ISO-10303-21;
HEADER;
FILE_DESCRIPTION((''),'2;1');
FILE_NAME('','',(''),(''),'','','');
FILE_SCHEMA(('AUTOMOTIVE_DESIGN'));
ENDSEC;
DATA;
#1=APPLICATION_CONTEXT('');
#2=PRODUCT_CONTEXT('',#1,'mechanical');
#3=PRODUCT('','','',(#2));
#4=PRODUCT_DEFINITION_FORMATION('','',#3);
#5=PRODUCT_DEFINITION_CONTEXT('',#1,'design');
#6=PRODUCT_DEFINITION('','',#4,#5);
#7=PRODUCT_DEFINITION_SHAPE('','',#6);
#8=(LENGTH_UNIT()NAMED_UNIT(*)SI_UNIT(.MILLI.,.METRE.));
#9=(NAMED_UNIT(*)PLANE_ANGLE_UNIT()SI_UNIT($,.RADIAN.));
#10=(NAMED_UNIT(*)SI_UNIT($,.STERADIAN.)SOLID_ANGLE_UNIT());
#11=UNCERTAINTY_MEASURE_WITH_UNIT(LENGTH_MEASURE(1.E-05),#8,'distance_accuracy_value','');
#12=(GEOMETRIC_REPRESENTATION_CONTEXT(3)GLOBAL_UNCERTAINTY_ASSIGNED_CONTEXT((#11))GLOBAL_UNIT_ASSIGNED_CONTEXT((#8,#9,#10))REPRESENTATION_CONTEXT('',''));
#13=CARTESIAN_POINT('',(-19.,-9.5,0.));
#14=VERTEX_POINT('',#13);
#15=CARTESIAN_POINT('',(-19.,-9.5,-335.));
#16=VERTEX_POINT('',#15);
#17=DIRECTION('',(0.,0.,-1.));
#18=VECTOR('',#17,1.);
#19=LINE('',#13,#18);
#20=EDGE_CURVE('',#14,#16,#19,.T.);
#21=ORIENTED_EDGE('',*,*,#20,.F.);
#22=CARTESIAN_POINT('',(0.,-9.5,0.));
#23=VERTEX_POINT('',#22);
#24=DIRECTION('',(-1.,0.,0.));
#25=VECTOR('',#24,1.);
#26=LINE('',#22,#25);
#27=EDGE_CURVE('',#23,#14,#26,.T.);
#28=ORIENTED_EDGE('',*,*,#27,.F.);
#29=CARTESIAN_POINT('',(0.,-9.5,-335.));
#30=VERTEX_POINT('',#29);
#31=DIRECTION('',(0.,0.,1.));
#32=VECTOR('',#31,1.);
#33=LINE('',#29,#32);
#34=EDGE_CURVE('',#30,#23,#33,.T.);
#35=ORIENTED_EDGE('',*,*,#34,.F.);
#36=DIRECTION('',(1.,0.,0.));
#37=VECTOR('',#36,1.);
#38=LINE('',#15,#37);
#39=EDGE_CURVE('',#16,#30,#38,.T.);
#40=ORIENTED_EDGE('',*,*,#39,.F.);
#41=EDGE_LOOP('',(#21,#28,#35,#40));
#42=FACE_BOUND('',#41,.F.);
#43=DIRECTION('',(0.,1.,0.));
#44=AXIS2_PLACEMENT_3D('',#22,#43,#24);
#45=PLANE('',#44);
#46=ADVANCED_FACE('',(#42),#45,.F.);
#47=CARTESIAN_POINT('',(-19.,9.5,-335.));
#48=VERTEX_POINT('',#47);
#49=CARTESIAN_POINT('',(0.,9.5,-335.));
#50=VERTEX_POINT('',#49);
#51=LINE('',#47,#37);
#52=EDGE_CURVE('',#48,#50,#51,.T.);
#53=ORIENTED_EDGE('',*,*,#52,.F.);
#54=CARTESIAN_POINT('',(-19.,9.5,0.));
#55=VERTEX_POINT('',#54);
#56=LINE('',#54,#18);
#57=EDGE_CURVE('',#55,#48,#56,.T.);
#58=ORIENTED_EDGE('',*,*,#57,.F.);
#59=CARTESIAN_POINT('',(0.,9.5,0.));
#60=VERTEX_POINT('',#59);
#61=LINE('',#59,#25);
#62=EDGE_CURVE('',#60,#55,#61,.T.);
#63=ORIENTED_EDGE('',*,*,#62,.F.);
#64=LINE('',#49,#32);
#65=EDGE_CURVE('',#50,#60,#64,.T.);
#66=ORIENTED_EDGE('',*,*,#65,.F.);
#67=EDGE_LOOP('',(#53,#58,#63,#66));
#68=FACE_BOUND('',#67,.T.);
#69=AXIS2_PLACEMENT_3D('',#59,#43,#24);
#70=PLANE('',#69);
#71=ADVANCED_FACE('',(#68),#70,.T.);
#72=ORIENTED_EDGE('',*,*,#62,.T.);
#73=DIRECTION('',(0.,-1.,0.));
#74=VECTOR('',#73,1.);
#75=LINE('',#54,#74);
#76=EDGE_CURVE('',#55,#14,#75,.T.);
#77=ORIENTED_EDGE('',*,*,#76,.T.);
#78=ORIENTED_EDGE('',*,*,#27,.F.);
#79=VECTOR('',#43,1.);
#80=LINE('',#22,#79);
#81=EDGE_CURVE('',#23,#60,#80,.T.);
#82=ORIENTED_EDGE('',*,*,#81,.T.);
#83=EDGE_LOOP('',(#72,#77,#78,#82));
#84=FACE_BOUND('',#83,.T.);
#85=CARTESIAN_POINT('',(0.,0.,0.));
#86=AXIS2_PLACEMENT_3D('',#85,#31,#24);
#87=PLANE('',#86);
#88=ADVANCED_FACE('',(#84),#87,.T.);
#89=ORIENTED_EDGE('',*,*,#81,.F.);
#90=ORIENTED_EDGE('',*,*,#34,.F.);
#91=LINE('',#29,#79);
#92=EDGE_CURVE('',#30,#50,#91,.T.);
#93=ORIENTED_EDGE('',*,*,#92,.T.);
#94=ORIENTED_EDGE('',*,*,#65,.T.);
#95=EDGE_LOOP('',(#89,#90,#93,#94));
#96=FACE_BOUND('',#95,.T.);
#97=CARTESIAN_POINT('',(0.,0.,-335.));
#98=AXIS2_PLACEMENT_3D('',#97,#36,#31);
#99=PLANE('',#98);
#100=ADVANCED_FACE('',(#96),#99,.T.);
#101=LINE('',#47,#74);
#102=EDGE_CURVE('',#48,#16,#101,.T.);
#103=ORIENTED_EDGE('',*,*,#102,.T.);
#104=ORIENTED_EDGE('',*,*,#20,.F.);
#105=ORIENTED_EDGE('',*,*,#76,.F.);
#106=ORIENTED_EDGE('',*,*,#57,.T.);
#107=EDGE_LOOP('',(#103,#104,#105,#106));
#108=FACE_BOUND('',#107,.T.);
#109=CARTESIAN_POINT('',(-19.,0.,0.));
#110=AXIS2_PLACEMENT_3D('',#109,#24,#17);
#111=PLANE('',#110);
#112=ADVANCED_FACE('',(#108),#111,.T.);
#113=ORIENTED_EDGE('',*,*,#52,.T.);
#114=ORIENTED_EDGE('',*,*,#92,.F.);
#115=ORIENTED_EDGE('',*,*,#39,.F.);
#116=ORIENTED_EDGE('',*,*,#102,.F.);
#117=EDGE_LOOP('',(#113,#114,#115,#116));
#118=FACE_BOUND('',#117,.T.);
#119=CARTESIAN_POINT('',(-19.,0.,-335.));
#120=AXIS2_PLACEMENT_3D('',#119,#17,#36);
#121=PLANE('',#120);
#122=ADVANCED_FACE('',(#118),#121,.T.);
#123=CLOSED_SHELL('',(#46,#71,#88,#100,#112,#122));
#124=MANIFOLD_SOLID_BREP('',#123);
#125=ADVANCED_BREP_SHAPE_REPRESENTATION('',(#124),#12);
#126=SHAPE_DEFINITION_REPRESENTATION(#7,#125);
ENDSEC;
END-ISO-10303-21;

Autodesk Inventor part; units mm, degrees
ref_plane "YZ Plane" through (0, 0, 0) normal (1, 0, 0) x (0, 1, 0)
ref_plane "XZ Plane" through (0, 0, 0) normal (0, 1, 0) x (-1, 0, 0)
ref_plane "XY Plane" through (0, 0, 0) normal (0, 0, 1) x (1, 0, 0)
sketch "Sketch1" plane through (0, 0, 0) normal (0, 1, 0) x (-1, 0, 0)
  line L0 (0, 0) -> (19, 0)
  line L1 (19, 0) -> (19, -335)
  line L2 (19, -335) -> (0, -335)
  line L3 (0, -335) -> (0, 0)
  dimension "d0" = 19
  dimension "d1" = 335
extrude "Extrusion1" add sketch "Sketch1" along normal mid plane 19
properties part number "Base 335" material "Steel"
